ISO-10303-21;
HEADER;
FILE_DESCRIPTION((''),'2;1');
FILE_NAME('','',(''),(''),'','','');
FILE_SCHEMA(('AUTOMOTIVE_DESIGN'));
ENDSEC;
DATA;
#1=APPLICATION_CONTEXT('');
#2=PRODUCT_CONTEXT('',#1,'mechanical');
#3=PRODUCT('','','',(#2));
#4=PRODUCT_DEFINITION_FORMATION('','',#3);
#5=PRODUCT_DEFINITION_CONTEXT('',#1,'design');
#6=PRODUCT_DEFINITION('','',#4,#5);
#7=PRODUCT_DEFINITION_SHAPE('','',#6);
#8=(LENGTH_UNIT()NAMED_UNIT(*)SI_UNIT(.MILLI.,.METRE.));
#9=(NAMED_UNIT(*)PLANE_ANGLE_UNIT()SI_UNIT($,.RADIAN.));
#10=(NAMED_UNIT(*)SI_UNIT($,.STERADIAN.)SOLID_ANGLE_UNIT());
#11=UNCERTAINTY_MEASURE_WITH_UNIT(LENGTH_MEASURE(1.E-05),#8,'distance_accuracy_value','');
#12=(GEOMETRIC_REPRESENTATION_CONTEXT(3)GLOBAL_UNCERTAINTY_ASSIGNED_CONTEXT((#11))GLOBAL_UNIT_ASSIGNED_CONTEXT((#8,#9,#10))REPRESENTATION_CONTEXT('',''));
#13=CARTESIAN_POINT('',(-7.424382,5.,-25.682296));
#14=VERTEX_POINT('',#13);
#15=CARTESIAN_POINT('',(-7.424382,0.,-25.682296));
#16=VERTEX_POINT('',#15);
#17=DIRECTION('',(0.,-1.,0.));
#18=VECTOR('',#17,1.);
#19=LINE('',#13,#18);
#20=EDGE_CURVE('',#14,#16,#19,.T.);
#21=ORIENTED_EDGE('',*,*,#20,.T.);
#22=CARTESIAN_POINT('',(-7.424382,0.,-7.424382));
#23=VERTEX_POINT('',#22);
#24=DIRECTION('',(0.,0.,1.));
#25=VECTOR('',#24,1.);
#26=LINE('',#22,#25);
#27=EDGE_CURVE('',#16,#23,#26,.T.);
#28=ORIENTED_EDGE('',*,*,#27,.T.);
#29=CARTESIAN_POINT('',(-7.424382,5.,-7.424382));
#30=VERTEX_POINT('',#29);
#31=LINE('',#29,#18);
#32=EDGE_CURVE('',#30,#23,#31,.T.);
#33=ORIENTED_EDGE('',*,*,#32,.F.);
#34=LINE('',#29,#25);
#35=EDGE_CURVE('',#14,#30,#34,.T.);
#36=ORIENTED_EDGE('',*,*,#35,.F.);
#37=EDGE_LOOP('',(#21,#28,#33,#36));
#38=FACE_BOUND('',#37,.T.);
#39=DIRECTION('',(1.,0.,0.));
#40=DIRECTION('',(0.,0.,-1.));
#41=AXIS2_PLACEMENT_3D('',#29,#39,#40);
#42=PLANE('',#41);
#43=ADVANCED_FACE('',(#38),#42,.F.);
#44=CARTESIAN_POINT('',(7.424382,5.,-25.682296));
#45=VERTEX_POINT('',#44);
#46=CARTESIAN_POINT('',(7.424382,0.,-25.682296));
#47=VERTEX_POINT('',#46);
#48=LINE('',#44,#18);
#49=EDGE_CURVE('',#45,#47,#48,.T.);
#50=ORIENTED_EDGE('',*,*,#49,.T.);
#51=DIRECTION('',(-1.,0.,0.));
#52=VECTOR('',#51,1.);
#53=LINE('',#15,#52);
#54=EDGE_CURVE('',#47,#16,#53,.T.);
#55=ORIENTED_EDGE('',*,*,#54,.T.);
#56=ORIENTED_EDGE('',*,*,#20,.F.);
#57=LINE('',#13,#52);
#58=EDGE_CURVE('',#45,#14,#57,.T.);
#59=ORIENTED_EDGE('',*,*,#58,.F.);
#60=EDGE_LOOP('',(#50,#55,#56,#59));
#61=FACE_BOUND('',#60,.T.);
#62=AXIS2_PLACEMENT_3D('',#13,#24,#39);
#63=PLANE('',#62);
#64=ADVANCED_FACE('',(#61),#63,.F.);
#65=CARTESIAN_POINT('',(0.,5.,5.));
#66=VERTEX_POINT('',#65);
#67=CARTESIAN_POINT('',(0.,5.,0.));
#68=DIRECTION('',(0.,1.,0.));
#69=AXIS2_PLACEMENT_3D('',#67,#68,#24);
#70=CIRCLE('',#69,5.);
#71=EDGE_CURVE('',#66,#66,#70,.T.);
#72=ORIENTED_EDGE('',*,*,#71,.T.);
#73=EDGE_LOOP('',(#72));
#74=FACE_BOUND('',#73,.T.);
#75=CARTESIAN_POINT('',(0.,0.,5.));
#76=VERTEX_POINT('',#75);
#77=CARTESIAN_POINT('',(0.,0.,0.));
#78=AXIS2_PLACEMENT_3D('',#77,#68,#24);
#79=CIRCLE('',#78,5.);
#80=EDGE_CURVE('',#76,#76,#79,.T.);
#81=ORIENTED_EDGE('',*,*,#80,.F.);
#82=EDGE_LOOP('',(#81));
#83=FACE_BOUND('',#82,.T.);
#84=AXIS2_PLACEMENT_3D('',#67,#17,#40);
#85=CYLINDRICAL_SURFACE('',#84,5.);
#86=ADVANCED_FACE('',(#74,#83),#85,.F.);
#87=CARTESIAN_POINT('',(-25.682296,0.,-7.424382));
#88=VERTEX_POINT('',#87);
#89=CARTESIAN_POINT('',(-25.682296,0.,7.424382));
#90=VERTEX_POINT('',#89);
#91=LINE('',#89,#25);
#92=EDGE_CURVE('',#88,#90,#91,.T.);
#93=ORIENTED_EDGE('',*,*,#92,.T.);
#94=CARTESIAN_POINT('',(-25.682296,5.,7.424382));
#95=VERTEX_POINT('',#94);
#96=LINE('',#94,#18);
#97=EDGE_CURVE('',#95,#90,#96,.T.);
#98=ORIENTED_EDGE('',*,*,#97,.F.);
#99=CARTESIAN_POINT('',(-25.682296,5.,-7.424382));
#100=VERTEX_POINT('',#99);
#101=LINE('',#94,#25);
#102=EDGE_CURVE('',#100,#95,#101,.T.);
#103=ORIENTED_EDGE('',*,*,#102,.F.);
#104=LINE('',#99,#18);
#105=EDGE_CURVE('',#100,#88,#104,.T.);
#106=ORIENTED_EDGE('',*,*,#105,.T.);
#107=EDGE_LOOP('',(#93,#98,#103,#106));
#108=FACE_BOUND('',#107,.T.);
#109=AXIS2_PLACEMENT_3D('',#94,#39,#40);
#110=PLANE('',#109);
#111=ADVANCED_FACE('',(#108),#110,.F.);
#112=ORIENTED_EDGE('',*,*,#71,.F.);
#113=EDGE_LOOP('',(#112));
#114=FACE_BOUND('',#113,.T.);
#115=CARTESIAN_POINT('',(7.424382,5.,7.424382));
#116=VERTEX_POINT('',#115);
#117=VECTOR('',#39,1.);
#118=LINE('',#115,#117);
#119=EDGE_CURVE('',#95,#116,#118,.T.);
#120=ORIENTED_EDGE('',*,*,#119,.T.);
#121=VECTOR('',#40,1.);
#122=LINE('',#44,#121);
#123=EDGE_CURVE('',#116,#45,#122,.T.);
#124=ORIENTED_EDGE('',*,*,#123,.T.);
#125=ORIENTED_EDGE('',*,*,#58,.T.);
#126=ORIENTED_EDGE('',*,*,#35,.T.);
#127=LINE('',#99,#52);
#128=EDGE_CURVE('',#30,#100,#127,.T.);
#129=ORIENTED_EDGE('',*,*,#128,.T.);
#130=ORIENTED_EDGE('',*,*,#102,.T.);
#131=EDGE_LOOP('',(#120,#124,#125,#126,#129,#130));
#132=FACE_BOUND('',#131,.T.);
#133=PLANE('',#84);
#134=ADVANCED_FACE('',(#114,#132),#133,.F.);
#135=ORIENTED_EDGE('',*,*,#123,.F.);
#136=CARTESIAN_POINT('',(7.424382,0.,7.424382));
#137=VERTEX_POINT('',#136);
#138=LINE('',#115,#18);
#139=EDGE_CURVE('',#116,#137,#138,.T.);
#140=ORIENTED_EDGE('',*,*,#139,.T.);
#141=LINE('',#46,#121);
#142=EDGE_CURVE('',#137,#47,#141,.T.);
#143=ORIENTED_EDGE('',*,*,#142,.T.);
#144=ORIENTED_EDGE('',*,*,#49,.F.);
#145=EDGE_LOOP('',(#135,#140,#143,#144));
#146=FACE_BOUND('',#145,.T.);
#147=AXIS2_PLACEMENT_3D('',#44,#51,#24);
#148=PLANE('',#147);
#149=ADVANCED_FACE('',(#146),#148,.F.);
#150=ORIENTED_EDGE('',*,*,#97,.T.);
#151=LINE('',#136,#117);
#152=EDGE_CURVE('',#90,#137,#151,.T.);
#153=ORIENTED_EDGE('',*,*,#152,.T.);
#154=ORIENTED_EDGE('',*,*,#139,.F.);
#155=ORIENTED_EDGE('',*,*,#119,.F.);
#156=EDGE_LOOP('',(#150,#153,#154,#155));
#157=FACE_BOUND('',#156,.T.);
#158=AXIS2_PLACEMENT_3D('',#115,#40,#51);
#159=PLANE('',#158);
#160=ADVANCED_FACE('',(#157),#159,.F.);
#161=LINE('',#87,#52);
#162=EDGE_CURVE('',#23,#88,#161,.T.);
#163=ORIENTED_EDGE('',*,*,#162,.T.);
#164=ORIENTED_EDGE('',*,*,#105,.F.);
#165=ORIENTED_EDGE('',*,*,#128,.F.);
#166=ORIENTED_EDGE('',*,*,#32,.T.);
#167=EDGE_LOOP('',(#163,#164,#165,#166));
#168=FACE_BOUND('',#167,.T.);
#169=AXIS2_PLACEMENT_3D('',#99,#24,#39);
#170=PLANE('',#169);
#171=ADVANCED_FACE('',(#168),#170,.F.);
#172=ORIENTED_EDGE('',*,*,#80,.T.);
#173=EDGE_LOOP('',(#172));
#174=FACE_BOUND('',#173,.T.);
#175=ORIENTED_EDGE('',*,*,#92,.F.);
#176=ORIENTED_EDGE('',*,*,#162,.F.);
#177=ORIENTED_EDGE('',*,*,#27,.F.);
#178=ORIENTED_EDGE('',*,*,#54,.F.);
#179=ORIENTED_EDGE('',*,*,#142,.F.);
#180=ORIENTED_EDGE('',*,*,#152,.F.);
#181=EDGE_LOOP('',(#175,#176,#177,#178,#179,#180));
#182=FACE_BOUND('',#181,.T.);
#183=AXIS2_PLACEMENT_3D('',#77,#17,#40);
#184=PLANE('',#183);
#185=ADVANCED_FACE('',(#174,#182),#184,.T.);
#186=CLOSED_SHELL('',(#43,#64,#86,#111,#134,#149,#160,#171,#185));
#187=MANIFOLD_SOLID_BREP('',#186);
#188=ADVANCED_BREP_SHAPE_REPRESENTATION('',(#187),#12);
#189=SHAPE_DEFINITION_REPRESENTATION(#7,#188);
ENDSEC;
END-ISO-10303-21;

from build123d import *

# Parameters (mm, degrees)
SKETCH1_R           = 5
BOSS_EXTRUDE1_DEPTH = 5


with BuildPart() as part:
    # Sketch1 → Boss-Extrude1 (new body)
    with BuildSketch(Plane(origin=(0, 0, 0), x_dir=(1, 0, 0), z_dir=(0, 1, 0))):
        Polygon((-25.682296151, 7.424382041), (-7.424382041, 7.424382041), (-7.424382041, 25.682296151), (7.424382041, 25.682296151), (7.424382041, -7.424382041), (-25.682296151, -7.424382041), align=None)
        with Locations(Location((0, 0, 0), (0, 0, 270))):
            Circle(SKETCH1_R, mode=Mode.SUBTRACT)
    extrude(amount=BOSS_EXTRUDE1_DEPTH)


solid = part.part
